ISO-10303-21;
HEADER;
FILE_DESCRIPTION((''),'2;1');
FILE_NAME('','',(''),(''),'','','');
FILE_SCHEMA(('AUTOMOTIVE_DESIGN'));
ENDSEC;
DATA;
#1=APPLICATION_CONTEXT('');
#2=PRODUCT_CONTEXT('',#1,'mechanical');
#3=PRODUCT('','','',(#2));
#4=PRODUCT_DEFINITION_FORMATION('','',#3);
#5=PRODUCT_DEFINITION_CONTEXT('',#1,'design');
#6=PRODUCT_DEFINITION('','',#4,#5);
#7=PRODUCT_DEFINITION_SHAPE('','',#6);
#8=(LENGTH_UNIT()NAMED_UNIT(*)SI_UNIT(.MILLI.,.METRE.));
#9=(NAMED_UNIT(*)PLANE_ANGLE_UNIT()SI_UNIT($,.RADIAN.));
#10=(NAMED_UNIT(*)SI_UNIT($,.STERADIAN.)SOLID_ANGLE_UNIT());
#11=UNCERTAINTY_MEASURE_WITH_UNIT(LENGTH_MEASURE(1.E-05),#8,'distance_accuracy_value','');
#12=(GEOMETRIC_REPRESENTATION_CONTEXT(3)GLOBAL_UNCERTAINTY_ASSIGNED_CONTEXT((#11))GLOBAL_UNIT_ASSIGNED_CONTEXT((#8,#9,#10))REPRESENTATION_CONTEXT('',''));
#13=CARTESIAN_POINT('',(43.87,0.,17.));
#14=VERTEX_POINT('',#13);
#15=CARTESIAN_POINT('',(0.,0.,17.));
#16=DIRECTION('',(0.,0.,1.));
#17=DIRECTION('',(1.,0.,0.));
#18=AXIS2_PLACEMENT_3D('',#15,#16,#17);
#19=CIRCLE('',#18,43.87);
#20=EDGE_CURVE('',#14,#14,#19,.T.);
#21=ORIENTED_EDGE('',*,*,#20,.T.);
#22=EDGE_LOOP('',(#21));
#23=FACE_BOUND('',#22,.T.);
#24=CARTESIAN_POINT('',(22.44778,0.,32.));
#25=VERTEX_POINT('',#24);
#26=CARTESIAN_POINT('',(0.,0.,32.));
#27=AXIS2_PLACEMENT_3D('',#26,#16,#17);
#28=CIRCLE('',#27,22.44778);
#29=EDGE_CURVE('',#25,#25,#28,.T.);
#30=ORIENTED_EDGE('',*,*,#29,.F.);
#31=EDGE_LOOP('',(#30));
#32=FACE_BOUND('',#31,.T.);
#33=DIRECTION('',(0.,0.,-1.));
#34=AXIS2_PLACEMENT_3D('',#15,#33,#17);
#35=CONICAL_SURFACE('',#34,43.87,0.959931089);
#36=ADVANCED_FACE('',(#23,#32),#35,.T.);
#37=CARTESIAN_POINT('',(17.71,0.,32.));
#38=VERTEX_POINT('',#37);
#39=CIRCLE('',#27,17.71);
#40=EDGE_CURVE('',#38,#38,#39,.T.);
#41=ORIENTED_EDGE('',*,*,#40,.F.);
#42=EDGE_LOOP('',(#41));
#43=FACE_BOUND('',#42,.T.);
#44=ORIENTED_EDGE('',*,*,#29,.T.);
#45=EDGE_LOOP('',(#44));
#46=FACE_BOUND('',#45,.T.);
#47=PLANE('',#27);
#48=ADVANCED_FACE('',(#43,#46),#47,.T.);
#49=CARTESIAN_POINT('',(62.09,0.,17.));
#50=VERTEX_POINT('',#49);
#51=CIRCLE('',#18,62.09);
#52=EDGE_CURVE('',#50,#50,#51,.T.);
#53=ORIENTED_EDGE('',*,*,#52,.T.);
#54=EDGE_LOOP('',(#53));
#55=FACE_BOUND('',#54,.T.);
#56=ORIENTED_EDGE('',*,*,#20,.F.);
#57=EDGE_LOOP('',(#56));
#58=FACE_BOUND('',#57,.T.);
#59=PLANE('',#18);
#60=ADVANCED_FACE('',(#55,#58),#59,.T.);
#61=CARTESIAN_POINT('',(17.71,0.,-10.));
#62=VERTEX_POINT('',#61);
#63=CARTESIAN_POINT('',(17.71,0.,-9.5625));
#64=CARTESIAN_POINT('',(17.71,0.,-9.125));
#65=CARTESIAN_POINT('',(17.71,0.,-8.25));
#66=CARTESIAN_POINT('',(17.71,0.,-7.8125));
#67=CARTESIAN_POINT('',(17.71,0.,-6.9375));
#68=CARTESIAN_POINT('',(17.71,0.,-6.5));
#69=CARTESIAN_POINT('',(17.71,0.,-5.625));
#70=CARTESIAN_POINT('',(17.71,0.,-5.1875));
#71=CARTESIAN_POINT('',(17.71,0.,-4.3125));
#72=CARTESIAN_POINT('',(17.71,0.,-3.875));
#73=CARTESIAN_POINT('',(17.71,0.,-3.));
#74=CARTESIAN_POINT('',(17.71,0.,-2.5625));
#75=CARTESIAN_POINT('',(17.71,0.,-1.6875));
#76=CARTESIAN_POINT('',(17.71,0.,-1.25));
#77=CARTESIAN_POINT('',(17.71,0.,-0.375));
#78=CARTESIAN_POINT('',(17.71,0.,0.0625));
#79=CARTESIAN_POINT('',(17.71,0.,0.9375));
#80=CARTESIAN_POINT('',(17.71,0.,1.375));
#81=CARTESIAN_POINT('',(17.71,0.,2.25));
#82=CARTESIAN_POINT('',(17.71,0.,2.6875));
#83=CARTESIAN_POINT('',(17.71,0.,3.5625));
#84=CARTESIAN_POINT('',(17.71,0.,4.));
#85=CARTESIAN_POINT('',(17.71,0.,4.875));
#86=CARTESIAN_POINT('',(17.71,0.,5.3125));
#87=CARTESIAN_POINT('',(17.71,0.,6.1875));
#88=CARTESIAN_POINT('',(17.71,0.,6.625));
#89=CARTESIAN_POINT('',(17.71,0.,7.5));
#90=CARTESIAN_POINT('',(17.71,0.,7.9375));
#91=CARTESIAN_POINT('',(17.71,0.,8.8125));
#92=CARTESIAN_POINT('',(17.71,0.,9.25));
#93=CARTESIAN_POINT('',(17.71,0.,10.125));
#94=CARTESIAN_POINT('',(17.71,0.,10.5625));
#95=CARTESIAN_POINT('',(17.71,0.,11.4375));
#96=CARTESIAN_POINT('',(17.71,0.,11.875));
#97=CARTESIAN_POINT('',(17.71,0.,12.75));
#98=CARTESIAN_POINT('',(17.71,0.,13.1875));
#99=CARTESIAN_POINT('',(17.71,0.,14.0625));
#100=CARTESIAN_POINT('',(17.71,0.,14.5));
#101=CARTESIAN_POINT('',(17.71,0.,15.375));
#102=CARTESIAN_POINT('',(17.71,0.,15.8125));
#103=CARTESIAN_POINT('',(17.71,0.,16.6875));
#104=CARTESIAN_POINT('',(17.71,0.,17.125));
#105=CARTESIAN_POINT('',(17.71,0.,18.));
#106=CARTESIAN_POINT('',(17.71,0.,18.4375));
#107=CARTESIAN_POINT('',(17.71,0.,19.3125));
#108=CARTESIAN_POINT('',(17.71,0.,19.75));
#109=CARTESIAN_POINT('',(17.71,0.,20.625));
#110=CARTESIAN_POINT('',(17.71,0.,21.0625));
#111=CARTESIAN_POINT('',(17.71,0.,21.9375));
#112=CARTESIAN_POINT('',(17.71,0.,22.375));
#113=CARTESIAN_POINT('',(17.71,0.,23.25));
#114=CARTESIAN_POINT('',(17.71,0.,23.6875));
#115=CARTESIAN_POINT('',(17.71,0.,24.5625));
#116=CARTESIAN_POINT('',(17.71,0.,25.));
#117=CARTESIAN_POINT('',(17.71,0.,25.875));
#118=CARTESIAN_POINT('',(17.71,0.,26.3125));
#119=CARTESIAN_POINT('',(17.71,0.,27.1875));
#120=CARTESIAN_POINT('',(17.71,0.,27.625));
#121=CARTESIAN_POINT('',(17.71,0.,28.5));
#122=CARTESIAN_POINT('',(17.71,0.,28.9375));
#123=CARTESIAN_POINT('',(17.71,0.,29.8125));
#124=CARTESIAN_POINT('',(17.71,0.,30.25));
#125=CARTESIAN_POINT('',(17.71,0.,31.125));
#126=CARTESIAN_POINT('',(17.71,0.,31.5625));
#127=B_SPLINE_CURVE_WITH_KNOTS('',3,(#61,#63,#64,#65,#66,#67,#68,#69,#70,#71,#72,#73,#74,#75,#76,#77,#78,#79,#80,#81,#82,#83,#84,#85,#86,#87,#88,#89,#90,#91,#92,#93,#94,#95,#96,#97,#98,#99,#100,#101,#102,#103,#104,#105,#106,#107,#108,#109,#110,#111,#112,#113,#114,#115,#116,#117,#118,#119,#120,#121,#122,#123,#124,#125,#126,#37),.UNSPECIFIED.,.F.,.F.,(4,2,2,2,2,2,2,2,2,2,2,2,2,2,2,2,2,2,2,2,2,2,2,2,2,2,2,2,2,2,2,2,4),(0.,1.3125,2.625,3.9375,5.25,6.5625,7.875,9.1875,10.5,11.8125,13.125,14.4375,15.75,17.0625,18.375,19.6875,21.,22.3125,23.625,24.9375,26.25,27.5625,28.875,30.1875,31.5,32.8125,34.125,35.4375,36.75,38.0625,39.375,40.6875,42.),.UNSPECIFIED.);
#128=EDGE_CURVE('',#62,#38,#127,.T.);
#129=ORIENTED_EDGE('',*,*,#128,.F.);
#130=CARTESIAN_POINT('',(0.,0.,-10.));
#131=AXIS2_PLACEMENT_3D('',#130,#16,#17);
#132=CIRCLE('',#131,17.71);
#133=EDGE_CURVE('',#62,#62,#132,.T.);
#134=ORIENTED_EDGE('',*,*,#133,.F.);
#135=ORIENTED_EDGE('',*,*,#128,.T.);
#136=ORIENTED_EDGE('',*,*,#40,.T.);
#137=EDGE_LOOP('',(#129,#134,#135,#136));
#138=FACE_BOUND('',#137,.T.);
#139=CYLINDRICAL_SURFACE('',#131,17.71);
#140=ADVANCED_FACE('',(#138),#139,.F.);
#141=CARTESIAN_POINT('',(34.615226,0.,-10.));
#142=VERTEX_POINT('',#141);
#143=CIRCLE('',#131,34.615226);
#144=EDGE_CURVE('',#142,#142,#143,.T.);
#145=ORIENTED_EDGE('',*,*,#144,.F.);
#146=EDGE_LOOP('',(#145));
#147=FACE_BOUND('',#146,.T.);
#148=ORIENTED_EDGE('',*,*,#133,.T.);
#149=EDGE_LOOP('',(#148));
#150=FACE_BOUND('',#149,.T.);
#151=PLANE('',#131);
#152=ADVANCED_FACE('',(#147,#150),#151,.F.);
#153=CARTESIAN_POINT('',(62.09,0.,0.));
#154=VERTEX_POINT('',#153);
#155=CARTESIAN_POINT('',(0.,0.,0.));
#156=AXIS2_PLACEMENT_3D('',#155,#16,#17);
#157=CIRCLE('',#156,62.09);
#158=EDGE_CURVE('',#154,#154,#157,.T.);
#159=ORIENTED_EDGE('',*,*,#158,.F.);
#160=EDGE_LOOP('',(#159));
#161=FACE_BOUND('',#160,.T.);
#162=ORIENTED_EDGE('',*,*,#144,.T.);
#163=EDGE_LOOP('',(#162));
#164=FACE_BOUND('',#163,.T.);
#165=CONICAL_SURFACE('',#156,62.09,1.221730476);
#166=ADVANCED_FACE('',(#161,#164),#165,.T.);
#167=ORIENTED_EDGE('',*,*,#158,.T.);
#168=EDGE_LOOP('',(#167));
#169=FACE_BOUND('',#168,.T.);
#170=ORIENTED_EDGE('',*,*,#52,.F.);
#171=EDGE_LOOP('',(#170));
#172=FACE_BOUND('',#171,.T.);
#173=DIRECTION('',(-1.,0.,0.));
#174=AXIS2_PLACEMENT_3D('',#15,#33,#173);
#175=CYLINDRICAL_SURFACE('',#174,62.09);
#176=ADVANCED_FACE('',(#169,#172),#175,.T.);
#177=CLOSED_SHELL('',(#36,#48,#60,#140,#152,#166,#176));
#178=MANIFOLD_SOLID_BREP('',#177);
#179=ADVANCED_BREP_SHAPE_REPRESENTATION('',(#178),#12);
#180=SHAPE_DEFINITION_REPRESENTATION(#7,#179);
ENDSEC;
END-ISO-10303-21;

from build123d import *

# Parameters (mm, degrees)
SKETCH1_R                     = 62.09
BOSS_EXTRUDE1_DEPTH           = 17
BOSS_EXTRUDE1_OTHER_WAY_DEPTH = 10
BOSS_EXTRUDE1_OTHER_WAY_TAPER = 70
SKETCH2_R                     = 43.87
BOSS_EXTRUDE2_DEPTH           = 15
BOSS_EXTRUDE2_TAPER           = 55
SKETCH3_R                     = 17.71
CUT_EXTRUDE1_DEPTH            = 98.336202069


with BuildPart() as part:
    # Sketch1 → Boss-Extrude1 (new body)
    with BuildSketch(Plane.XY):
        Circle(SKETCH1_R)
    extrude(amount=BOSS_EXTRUDE1_DEPTH)

    # Sketch1 → Boss-Extrude1 other way (add)
    with BuildSketch(Plane.XY):
        Circle(SKETCH1_R)
    extrude(amount=-BOSS_EXTRUDE1_OTHER_WAY_DEPTH, taper=BOSS_EXTRUDE1_OTHER_WAY_TAPER)

    # Sketch2 → Boss-Extrude2 (add)
    with BuildSketch(Plane.XY.offset(17)):
        Circle(SKETCH2_R)
    extrude(amount=BOSS_EXTRUDE2_DEPTH, taper=BOSS_EXTRUDE2_TAPER)

    # Sketch3 → Cut-Extrude1 (cut, through all)
    with BuildSketch(Plane.XY.offset(32)):
        Circle(SKETCH3_R)
    extrude(amount=-CUT_EXTRUDE1_DEPTH, mode=Mode.SUBTRACT)


solid = part.part
